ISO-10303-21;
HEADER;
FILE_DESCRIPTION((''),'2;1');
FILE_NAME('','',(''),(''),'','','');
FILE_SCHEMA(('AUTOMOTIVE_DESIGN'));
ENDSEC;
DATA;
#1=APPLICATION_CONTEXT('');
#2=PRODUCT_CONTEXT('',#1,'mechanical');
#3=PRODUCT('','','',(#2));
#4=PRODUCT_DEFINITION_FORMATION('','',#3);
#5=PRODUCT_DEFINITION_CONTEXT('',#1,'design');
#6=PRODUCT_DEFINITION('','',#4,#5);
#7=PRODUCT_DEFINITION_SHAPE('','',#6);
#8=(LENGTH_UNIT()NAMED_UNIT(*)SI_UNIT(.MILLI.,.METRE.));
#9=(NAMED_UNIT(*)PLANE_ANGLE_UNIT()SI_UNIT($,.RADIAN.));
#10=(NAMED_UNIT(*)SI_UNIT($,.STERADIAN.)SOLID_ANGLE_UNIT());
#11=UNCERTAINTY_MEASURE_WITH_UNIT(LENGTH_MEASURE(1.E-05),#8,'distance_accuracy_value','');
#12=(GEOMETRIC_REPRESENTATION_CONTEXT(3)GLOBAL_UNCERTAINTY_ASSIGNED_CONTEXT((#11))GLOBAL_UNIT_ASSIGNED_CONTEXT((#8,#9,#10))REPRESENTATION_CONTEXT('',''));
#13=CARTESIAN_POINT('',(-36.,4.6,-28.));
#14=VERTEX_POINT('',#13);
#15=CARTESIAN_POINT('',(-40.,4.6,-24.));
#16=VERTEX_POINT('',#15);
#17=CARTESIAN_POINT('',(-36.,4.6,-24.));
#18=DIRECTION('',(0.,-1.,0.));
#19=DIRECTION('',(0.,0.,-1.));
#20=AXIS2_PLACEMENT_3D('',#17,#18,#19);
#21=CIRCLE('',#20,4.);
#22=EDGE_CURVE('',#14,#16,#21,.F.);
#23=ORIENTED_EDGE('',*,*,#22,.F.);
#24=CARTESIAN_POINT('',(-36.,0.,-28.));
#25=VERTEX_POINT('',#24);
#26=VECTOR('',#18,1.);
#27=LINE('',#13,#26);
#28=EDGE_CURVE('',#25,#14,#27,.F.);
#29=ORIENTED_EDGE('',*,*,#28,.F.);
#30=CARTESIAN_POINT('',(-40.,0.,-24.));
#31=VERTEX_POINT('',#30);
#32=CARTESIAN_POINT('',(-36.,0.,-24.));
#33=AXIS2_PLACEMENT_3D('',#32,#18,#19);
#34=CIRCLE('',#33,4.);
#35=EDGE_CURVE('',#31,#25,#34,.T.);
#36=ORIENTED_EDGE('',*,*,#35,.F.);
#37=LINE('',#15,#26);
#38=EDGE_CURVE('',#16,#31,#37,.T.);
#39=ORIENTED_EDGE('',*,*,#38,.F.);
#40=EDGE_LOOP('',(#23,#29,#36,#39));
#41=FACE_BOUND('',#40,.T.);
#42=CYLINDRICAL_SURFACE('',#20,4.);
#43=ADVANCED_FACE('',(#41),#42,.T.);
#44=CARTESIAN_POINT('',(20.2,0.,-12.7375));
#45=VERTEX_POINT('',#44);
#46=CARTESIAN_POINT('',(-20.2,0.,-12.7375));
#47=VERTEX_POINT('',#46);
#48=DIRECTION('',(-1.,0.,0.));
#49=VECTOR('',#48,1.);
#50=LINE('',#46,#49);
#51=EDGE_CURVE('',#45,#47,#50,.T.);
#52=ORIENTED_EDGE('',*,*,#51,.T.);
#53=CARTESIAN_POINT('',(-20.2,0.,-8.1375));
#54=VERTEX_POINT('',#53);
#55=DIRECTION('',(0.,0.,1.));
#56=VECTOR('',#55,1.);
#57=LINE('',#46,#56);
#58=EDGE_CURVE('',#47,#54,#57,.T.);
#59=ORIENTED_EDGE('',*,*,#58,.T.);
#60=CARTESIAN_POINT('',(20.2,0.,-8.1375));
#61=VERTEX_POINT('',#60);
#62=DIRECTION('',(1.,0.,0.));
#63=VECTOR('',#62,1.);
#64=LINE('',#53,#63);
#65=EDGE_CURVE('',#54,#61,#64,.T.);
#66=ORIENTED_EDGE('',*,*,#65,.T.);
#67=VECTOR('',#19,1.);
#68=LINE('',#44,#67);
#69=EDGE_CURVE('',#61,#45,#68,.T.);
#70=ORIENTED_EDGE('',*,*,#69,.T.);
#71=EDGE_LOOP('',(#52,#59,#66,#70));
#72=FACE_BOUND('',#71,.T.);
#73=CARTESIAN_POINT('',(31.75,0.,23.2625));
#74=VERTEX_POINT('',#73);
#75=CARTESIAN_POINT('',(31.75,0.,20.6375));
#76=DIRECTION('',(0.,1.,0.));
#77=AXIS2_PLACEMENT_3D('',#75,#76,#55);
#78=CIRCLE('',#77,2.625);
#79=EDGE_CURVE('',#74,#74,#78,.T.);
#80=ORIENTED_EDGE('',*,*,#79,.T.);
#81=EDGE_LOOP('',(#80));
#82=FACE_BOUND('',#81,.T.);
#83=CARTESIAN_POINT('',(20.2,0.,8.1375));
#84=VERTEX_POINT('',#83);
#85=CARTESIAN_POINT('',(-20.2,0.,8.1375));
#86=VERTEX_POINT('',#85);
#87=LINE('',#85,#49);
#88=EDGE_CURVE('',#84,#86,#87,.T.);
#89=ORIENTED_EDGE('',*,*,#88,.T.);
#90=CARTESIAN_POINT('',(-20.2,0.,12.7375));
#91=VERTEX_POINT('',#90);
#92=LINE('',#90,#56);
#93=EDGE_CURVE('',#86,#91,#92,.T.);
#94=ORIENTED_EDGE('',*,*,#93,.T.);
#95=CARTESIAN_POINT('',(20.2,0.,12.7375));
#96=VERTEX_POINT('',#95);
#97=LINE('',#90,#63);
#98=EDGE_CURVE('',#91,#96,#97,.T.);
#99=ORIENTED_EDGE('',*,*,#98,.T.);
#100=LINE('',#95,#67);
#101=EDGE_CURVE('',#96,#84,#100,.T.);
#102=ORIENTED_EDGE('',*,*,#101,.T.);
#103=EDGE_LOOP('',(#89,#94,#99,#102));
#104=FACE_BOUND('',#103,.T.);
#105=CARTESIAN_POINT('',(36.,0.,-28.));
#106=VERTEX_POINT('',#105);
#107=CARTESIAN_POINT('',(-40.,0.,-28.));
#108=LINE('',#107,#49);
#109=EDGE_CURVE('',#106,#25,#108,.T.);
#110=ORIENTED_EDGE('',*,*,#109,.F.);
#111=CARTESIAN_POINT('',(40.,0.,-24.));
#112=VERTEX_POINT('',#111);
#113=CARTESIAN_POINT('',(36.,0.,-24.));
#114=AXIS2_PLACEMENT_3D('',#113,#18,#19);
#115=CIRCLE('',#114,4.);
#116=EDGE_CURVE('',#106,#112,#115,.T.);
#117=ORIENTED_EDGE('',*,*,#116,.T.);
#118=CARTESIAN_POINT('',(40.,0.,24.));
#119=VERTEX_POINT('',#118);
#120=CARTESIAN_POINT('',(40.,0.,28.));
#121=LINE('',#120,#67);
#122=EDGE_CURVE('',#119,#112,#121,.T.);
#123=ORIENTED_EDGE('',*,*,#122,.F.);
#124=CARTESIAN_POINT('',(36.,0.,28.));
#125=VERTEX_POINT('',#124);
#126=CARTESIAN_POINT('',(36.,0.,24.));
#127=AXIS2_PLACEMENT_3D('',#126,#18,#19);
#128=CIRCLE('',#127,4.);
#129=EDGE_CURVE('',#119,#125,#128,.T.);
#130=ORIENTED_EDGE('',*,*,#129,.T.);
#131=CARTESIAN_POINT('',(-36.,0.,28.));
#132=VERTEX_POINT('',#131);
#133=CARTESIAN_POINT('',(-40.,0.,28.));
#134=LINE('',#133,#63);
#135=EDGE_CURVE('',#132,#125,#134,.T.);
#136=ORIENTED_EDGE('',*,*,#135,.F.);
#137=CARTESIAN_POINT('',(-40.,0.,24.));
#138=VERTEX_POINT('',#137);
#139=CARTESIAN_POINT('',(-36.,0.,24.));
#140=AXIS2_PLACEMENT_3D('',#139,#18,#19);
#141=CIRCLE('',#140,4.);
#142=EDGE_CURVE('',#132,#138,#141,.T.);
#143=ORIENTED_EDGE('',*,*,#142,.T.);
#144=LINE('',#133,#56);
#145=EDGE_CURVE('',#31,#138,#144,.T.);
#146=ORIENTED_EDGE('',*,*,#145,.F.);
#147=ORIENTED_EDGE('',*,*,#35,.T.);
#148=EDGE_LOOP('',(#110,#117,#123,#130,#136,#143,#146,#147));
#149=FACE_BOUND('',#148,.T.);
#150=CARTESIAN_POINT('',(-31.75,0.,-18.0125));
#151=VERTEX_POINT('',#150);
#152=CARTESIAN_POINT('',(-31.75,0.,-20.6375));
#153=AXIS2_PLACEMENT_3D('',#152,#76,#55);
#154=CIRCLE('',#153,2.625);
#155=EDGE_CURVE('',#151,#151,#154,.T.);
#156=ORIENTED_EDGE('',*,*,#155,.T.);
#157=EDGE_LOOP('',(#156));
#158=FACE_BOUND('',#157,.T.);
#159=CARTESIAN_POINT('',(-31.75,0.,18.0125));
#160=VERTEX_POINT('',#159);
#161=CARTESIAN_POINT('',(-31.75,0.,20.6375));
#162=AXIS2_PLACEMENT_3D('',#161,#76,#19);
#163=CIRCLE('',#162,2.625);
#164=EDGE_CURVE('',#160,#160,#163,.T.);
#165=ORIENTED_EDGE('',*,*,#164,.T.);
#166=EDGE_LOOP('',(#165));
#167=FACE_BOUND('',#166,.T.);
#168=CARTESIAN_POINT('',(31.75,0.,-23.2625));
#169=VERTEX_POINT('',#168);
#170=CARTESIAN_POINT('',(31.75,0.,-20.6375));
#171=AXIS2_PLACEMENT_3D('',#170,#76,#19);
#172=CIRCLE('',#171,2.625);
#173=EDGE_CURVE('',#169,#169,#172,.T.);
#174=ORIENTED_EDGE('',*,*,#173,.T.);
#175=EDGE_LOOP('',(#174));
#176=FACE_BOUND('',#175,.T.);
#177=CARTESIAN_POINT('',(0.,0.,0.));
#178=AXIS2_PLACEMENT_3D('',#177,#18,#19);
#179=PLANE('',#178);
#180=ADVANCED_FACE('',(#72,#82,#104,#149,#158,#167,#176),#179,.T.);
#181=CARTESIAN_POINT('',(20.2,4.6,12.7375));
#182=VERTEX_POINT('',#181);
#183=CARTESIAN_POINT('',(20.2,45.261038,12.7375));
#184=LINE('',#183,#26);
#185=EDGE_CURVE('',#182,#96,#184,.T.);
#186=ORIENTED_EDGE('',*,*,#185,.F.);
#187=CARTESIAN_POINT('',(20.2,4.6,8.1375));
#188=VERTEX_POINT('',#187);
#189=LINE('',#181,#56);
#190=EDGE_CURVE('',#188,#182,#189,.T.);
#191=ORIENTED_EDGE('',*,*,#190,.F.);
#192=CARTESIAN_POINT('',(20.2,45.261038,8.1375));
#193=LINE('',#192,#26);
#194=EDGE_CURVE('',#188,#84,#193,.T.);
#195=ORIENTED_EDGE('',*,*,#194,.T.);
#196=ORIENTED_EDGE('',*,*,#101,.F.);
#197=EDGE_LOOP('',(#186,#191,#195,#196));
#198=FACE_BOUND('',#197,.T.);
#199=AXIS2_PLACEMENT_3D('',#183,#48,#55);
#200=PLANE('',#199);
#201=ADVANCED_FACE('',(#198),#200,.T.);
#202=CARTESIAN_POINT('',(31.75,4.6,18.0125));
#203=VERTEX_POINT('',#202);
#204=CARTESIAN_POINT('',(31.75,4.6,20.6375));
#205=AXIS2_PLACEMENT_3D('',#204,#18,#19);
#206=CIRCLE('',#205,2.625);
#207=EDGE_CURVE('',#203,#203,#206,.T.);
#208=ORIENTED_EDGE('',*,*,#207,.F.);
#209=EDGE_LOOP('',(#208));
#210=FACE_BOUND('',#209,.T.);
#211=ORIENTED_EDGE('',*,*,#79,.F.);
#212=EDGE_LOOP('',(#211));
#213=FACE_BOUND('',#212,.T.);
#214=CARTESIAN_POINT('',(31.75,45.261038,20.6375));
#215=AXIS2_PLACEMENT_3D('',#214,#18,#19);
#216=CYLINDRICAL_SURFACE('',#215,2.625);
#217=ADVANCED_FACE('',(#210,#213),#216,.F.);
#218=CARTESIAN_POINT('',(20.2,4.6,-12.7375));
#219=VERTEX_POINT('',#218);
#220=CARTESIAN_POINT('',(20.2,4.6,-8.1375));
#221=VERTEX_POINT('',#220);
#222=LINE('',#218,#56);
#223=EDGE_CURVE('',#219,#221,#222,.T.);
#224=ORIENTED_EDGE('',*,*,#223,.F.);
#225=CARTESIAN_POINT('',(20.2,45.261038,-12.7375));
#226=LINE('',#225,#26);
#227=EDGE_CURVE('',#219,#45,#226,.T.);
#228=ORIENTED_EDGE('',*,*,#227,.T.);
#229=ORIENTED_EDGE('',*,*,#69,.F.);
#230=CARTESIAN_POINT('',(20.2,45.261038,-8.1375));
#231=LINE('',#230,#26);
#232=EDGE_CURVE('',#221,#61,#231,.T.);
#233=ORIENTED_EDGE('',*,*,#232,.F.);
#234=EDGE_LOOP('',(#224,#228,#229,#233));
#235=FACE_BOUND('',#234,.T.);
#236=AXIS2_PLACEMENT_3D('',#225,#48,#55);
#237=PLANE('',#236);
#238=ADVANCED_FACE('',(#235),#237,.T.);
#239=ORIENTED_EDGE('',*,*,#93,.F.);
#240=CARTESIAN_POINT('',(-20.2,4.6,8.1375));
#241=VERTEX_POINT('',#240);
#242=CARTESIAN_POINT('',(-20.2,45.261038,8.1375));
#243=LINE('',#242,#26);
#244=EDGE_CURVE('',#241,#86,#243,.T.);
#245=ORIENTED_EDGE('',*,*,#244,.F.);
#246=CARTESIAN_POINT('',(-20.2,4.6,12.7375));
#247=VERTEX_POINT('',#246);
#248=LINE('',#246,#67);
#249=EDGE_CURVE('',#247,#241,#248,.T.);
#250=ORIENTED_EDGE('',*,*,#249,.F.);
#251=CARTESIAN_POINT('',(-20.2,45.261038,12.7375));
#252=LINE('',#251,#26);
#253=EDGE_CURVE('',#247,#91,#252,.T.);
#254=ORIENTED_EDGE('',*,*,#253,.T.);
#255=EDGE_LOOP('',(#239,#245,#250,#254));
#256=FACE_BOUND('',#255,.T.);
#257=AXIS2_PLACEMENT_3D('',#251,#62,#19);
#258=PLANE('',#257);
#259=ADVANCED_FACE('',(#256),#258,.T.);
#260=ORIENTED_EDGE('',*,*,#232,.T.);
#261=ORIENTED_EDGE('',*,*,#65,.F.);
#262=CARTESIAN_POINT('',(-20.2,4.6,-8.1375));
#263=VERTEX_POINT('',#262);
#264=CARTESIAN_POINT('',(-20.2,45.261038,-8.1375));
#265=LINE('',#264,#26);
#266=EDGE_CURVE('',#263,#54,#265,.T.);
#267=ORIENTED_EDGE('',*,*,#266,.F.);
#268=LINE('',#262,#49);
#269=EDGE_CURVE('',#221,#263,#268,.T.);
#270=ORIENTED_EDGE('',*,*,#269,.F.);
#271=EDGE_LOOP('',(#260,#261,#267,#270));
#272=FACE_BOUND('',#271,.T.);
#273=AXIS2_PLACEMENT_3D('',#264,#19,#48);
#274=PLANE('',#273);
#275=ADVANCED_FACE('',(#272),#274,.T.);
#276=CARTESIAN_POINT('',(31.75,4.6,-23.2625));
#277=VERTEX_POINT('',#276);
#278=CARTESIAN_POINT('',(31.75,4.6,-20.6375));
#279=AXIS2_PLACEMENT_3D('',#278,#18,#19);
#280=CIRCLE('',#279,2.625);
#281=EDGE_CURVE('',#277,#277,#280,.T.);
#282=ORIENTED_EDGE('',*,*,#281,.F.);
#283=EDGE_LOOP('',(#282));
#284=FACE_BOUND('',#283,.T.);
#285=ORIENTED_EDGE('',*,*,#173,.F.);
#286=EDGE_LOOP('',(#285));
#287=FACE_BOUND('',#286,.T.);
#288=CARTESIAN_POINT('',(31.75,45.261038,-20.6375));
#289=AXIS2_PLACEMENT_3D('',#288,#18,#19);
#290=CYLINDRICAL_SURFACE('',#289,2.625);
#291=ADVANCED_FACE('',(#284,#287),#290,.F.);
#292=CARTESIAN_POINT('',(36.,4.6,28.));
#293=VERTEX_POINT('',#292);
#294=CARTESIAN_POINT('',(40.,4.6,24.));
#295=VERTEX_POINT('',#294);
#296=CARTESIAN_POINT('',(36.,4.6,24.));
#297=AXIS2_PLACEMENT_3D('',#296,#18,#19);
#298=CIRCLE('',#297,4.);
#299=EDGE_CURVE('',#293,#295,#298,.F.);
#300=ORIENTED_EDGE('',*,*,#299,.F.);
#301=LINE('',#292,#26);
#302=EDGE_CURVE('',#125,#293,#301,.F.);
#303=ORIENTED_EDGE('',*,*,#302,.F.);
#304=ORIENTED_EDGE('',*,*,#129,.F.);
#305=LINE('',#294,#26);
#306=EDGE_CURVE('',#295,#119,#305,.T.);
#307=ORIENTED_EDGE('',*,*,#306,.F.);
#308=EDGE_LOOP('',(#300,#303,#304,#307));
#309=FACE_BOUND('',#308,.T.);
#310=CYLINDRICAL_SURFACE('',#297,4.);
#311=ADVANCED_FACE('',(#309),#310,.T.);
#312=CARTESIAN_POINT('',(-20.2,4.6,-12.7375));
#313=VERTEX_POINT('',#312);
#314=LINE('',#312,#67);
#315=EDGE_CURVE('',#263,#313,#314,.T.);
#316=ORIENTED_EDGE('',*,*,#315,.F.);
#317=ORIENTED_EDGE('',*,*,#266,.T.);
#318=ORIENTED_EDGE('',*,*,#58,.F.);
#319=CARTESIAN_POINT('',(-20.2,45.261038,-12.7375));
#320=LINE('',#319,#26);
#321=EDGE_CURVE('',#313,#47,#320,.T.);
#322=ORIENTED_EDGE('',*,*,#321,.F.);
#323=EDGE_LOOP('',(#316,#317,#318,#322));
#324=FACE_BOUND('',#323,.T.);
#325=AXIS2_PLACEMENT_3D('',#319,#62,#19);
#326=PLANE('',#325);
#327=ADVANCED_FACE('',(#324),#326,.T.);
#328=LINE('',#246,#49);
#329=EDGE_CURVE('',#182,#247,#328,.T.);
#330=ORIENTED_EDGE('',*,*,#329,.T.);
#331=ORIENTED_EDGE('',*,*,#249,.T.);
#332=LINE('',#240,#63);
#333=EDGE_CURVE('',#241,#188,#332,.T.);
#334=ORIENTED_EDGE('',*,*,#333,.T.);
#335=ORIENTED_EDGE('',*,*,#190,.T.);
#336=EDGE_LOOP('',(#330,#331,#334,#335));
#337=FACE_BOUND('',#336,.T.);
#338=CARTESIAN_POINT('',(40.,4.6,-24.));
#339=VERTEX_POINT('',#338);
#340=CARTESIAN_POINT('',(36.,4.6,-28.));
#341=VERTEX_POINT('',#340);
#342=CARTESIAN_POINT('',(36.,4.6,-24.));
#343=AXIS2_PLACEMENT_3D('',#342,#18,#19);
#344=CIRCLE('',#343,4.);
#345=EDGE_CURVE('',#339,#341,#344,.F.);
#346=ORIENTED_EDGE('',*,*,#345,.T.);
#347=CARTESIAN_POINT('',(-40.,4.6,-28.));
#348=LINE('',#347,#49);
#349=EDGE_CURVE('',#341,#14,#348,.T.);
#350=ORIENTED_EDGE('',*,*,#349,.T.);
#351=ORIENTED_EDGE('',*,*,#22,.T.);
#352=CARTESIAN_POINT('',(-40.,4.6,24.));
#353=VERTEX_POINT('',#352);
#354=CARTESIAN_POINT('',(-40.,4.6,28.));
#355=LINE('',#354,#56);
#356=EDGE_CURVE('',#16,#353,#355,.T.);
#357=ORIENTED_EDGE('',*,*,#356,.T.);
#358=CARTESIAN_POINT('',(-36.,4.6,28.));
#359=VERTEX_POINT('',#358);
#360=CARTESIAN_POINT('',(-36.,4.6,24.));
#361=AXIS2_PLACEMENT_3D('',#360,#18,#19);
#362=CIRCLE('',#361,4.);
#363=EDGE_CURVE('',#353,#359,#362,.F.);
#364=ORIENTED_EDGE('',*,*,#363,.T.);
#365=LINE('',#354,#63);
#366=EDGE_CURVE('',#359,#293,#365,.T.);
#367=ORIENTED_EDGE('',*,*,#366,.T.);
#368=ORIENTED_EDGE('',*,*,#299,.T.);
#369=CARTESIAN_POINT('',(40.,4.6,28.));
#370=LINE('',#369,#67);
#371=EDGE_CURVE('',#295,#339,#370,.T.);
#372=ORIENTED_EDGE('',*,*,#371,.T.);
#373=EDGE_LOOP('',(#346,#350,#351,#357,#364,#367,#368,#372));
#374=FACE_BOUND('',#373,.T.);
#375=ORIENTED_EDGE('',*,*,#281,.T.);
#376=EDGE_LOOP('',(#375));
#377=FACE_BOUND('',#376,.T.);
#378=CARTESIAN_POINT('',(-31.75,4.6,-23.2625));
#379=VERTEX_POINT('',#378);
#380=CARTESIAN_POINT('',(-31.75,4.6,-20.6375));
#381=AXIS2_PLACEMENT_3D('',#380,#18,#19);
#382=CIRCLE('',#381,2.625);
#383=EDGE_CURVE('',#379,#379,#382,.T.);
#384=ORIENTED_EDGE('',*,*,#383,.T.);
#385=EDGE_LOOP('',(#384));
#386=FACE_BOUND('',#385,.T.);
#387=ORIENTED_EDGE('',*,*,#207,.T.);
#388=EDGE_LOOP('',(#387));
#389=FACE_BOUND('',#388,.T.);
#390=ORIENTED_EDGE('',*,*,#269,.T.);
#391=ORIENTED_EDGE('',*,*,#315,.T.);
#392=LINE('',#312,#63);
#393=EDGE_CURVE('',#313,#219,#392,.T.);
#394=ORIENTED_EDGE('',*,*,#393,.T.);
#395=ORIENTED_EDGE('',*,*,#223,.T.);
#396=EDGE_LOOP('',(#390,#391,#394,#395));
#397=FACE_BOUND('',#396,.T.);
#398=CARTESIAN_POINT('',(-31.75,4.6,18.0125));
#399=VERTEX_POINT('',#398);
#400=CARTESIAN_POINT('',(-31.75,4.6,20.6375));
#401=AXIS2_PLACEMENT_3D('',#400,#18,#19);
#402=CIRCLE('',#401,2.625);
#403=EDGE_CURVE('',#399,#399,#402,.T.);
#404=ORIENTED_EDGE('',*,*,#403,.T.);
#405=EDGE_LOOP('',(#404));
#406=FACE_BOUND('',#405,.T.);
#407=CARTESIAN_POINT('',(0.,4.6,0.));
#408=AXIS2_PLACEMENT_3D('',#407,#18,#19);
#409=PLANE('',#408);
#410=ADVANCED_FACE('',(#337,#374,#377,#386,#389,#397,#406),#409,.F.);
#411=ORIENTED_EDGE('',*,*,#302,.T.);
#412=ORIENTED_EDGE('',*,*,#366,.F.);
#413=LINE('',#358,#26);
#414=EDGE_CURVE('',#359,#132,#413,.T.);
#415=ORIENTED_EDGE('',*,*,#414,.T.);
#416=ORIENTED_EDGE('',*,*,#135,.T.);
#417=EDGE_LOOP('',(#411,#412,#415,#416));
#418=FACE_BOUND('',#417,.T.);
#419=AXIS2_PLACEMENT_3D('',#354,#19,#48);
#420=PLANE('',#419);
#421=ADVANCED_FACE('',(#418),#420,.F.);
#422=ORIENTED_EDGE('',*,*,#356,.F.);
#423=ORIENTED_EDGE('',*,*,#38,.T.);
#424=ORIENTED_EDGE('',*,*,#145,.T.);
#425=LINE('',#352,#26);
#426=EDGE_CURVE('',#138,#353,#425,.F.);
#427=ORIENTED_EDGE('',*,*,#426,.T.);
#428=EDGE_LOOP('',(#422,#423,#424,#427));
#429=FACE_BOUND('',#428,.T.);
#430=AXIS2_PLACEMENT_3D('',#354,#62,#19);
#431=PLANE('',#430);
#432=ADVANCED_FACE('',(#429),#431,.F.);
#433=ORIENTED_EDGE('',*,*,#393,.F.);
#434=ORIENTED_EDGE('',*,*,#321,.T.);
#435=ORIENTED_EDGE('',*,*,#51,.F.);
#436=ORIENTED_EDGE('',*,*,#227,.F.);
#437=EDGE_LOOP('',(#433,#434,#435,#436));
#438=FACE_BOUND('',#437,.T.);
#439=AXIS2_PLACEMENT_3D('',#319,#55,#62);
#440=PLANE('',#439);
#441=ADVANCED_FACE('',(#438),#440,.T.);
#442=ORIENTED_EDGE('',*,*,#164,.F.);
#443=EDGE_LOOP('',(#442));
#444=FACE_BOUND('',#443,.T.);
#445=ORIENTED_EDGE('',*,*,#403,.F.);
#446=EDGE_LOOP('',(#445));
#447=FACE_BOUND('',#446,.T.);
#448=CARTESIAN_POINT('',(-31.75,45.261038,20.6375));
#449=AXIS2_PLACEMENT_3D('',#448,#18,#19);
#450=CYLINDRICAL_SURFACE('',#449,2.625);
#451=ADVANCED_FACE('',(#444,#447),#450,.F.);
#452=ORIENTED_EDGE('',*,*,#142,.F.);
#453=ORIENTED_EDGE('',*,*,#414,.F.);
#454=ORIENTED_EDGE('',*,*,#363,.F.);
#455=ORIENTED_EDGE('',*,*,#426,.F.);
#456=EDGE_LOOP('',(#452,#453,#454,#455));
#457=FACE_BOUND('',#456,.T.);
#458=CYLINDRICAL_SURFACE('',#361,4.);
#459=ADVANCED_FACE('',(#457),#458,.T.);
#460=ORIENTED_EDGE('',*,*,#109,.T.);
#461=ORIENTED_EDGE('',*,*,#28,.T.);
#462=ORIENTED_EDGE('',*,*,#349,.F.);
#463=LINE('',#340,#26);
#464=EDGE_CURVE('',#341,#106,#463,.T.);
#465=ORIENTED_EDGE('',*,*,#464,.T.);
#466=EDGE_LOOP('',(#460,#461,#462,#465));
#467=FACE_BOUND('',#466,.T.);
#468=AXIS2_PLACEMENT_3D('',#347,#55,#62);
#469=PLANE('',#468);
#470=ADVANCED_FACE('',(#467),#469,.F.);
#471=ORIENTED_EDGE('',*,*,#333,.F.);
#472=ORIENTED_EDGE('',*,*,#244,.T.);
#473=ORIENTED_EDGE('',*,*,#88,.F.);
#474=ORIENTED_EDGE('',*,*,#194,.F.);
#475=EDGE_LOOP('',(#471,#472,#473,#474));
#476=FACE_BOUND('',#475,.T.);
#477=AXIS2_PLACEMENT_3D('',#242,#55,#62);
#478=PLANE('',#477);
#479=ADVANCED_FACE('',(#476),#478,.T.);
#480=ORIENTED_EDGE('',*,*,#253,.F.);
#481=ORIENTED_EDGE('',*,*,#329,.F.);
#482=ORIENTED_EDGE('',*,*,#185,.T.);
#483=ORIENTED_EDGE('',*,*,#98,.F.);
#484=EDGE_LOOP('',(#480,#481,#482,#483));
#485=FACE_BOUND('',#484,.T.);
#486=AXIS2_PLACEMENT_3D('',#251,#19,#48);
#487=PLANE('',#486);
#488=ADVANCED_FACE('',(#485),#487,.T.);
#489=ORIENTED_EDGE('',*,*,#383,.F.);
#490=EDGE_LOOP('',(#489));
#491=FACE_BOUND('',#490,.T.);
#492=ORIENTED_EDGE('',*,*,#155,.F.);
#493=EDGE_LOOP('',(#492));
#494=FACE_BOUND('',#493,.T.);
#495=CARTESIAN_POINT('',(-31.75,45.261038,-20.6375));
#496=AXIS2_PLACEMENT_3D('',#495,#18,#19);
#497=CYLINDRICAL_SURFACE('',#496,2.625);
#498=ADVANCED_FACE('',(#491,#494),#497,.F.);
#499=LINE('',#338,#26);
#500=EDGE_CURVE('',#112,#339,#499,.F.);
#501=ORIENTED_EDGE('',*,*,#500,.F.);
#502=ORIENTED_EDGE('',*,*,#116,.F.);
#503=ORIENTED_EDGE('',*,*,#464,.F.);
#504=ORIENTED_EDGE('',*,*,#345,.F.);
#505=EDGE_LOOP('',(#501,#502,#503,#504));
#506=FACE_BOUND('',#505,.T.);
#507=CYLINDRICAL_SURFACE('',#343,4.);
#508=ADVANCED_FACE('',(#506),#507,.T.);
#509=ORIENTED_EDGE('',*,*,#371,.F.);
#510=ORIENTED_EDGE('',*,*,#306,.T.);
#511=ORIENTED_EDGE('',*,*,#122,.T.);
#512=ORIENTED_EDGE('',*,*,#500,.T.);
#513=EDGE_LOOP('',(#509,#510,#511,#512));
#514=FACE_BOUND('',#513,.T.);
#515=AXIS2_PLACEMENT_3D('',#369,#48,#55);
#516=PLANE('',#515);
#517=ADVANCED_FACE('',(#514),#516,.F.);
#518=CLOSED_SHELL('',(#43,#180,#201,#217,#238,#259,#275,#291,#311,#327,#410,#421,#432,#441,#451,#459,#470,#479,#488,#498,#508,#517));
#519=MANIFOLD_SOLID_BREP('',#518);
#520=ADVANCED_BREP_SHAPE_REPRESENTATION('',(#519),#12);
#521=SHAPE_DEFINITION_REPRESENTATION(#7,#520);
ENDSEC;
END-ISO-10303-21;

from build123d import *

# Parameters (mm, degrees)
SKETCH_3_W          = 80
SKETCH_3_H          = 56
EXTRUDE_1_DEPTH     = 4.6
SKETCH_1_R          = 2.625
SKETCH_1_W          = 40.4
SKETCH_1_H          = 4.6
CUT_EXTRUDE_1_DEPTH = 4.6
FILLET_2_R          = 4


with BuildPart() as part:
    # 草图3 → 凸台-拉伸1 (new body)
    with BuildSketch(Plane(origin=(0, 0, 0), x_dir=(1, 0, 0), z_dir=(0, 1, 0))):
        Rectangle(SKETCH_3_W, SKETCH_3_H)
    extrude(amount=EXTRUDE_1_DEPTH)

    # 草图1 → 切除-拉伸1 (cut)
    with BuildSketch(Plane(origin=(0, 0, 0), x_dir=(1, 0, 0), z_dir=(0, 1, 0))):
        with Locations(Location((-31.75, 20.6375, 0), (0, 0, 90))):
            Circle(SKETCH_1_R)
        with Locations(Location((31.75, 20.6375, 0), (0, 0, 90))):
            Circle(SKETCH_1_R)
        with Locations(Location((31.75, -20.6375, 0), (0, 0, 90))):
            Circle(SKETCH_1_R)
        with Locations(Location((-31.75, -20.6375, 0), (0, 0, 90))):
            Circle(SKETCH_1_R)
        with Locations((0, -10.4375)):
            Rectangle(SKETCH_1_W, SKETCH_1_H)
        with Locations((0, 10.4375)):
            Rectangle(SKETCH_1_W, SKETCH_1_H)
    extrude(amount=CUT_EXTRUDE_1_DEPTH, mode=Mode.SUBTRACT)

    # 圆角2
    fillet_2_edges = [part.edges().sort_by_distance(p)[0] for p in [
        (40, 2.3, 28),
        (-40, 2.3, 28),
        (-40, 2.3, -28),
        (40, 2.3, -28),
    ]]
    fillet(fillet_2_edges, radius=FILLET_2_R)


solid = part.part
